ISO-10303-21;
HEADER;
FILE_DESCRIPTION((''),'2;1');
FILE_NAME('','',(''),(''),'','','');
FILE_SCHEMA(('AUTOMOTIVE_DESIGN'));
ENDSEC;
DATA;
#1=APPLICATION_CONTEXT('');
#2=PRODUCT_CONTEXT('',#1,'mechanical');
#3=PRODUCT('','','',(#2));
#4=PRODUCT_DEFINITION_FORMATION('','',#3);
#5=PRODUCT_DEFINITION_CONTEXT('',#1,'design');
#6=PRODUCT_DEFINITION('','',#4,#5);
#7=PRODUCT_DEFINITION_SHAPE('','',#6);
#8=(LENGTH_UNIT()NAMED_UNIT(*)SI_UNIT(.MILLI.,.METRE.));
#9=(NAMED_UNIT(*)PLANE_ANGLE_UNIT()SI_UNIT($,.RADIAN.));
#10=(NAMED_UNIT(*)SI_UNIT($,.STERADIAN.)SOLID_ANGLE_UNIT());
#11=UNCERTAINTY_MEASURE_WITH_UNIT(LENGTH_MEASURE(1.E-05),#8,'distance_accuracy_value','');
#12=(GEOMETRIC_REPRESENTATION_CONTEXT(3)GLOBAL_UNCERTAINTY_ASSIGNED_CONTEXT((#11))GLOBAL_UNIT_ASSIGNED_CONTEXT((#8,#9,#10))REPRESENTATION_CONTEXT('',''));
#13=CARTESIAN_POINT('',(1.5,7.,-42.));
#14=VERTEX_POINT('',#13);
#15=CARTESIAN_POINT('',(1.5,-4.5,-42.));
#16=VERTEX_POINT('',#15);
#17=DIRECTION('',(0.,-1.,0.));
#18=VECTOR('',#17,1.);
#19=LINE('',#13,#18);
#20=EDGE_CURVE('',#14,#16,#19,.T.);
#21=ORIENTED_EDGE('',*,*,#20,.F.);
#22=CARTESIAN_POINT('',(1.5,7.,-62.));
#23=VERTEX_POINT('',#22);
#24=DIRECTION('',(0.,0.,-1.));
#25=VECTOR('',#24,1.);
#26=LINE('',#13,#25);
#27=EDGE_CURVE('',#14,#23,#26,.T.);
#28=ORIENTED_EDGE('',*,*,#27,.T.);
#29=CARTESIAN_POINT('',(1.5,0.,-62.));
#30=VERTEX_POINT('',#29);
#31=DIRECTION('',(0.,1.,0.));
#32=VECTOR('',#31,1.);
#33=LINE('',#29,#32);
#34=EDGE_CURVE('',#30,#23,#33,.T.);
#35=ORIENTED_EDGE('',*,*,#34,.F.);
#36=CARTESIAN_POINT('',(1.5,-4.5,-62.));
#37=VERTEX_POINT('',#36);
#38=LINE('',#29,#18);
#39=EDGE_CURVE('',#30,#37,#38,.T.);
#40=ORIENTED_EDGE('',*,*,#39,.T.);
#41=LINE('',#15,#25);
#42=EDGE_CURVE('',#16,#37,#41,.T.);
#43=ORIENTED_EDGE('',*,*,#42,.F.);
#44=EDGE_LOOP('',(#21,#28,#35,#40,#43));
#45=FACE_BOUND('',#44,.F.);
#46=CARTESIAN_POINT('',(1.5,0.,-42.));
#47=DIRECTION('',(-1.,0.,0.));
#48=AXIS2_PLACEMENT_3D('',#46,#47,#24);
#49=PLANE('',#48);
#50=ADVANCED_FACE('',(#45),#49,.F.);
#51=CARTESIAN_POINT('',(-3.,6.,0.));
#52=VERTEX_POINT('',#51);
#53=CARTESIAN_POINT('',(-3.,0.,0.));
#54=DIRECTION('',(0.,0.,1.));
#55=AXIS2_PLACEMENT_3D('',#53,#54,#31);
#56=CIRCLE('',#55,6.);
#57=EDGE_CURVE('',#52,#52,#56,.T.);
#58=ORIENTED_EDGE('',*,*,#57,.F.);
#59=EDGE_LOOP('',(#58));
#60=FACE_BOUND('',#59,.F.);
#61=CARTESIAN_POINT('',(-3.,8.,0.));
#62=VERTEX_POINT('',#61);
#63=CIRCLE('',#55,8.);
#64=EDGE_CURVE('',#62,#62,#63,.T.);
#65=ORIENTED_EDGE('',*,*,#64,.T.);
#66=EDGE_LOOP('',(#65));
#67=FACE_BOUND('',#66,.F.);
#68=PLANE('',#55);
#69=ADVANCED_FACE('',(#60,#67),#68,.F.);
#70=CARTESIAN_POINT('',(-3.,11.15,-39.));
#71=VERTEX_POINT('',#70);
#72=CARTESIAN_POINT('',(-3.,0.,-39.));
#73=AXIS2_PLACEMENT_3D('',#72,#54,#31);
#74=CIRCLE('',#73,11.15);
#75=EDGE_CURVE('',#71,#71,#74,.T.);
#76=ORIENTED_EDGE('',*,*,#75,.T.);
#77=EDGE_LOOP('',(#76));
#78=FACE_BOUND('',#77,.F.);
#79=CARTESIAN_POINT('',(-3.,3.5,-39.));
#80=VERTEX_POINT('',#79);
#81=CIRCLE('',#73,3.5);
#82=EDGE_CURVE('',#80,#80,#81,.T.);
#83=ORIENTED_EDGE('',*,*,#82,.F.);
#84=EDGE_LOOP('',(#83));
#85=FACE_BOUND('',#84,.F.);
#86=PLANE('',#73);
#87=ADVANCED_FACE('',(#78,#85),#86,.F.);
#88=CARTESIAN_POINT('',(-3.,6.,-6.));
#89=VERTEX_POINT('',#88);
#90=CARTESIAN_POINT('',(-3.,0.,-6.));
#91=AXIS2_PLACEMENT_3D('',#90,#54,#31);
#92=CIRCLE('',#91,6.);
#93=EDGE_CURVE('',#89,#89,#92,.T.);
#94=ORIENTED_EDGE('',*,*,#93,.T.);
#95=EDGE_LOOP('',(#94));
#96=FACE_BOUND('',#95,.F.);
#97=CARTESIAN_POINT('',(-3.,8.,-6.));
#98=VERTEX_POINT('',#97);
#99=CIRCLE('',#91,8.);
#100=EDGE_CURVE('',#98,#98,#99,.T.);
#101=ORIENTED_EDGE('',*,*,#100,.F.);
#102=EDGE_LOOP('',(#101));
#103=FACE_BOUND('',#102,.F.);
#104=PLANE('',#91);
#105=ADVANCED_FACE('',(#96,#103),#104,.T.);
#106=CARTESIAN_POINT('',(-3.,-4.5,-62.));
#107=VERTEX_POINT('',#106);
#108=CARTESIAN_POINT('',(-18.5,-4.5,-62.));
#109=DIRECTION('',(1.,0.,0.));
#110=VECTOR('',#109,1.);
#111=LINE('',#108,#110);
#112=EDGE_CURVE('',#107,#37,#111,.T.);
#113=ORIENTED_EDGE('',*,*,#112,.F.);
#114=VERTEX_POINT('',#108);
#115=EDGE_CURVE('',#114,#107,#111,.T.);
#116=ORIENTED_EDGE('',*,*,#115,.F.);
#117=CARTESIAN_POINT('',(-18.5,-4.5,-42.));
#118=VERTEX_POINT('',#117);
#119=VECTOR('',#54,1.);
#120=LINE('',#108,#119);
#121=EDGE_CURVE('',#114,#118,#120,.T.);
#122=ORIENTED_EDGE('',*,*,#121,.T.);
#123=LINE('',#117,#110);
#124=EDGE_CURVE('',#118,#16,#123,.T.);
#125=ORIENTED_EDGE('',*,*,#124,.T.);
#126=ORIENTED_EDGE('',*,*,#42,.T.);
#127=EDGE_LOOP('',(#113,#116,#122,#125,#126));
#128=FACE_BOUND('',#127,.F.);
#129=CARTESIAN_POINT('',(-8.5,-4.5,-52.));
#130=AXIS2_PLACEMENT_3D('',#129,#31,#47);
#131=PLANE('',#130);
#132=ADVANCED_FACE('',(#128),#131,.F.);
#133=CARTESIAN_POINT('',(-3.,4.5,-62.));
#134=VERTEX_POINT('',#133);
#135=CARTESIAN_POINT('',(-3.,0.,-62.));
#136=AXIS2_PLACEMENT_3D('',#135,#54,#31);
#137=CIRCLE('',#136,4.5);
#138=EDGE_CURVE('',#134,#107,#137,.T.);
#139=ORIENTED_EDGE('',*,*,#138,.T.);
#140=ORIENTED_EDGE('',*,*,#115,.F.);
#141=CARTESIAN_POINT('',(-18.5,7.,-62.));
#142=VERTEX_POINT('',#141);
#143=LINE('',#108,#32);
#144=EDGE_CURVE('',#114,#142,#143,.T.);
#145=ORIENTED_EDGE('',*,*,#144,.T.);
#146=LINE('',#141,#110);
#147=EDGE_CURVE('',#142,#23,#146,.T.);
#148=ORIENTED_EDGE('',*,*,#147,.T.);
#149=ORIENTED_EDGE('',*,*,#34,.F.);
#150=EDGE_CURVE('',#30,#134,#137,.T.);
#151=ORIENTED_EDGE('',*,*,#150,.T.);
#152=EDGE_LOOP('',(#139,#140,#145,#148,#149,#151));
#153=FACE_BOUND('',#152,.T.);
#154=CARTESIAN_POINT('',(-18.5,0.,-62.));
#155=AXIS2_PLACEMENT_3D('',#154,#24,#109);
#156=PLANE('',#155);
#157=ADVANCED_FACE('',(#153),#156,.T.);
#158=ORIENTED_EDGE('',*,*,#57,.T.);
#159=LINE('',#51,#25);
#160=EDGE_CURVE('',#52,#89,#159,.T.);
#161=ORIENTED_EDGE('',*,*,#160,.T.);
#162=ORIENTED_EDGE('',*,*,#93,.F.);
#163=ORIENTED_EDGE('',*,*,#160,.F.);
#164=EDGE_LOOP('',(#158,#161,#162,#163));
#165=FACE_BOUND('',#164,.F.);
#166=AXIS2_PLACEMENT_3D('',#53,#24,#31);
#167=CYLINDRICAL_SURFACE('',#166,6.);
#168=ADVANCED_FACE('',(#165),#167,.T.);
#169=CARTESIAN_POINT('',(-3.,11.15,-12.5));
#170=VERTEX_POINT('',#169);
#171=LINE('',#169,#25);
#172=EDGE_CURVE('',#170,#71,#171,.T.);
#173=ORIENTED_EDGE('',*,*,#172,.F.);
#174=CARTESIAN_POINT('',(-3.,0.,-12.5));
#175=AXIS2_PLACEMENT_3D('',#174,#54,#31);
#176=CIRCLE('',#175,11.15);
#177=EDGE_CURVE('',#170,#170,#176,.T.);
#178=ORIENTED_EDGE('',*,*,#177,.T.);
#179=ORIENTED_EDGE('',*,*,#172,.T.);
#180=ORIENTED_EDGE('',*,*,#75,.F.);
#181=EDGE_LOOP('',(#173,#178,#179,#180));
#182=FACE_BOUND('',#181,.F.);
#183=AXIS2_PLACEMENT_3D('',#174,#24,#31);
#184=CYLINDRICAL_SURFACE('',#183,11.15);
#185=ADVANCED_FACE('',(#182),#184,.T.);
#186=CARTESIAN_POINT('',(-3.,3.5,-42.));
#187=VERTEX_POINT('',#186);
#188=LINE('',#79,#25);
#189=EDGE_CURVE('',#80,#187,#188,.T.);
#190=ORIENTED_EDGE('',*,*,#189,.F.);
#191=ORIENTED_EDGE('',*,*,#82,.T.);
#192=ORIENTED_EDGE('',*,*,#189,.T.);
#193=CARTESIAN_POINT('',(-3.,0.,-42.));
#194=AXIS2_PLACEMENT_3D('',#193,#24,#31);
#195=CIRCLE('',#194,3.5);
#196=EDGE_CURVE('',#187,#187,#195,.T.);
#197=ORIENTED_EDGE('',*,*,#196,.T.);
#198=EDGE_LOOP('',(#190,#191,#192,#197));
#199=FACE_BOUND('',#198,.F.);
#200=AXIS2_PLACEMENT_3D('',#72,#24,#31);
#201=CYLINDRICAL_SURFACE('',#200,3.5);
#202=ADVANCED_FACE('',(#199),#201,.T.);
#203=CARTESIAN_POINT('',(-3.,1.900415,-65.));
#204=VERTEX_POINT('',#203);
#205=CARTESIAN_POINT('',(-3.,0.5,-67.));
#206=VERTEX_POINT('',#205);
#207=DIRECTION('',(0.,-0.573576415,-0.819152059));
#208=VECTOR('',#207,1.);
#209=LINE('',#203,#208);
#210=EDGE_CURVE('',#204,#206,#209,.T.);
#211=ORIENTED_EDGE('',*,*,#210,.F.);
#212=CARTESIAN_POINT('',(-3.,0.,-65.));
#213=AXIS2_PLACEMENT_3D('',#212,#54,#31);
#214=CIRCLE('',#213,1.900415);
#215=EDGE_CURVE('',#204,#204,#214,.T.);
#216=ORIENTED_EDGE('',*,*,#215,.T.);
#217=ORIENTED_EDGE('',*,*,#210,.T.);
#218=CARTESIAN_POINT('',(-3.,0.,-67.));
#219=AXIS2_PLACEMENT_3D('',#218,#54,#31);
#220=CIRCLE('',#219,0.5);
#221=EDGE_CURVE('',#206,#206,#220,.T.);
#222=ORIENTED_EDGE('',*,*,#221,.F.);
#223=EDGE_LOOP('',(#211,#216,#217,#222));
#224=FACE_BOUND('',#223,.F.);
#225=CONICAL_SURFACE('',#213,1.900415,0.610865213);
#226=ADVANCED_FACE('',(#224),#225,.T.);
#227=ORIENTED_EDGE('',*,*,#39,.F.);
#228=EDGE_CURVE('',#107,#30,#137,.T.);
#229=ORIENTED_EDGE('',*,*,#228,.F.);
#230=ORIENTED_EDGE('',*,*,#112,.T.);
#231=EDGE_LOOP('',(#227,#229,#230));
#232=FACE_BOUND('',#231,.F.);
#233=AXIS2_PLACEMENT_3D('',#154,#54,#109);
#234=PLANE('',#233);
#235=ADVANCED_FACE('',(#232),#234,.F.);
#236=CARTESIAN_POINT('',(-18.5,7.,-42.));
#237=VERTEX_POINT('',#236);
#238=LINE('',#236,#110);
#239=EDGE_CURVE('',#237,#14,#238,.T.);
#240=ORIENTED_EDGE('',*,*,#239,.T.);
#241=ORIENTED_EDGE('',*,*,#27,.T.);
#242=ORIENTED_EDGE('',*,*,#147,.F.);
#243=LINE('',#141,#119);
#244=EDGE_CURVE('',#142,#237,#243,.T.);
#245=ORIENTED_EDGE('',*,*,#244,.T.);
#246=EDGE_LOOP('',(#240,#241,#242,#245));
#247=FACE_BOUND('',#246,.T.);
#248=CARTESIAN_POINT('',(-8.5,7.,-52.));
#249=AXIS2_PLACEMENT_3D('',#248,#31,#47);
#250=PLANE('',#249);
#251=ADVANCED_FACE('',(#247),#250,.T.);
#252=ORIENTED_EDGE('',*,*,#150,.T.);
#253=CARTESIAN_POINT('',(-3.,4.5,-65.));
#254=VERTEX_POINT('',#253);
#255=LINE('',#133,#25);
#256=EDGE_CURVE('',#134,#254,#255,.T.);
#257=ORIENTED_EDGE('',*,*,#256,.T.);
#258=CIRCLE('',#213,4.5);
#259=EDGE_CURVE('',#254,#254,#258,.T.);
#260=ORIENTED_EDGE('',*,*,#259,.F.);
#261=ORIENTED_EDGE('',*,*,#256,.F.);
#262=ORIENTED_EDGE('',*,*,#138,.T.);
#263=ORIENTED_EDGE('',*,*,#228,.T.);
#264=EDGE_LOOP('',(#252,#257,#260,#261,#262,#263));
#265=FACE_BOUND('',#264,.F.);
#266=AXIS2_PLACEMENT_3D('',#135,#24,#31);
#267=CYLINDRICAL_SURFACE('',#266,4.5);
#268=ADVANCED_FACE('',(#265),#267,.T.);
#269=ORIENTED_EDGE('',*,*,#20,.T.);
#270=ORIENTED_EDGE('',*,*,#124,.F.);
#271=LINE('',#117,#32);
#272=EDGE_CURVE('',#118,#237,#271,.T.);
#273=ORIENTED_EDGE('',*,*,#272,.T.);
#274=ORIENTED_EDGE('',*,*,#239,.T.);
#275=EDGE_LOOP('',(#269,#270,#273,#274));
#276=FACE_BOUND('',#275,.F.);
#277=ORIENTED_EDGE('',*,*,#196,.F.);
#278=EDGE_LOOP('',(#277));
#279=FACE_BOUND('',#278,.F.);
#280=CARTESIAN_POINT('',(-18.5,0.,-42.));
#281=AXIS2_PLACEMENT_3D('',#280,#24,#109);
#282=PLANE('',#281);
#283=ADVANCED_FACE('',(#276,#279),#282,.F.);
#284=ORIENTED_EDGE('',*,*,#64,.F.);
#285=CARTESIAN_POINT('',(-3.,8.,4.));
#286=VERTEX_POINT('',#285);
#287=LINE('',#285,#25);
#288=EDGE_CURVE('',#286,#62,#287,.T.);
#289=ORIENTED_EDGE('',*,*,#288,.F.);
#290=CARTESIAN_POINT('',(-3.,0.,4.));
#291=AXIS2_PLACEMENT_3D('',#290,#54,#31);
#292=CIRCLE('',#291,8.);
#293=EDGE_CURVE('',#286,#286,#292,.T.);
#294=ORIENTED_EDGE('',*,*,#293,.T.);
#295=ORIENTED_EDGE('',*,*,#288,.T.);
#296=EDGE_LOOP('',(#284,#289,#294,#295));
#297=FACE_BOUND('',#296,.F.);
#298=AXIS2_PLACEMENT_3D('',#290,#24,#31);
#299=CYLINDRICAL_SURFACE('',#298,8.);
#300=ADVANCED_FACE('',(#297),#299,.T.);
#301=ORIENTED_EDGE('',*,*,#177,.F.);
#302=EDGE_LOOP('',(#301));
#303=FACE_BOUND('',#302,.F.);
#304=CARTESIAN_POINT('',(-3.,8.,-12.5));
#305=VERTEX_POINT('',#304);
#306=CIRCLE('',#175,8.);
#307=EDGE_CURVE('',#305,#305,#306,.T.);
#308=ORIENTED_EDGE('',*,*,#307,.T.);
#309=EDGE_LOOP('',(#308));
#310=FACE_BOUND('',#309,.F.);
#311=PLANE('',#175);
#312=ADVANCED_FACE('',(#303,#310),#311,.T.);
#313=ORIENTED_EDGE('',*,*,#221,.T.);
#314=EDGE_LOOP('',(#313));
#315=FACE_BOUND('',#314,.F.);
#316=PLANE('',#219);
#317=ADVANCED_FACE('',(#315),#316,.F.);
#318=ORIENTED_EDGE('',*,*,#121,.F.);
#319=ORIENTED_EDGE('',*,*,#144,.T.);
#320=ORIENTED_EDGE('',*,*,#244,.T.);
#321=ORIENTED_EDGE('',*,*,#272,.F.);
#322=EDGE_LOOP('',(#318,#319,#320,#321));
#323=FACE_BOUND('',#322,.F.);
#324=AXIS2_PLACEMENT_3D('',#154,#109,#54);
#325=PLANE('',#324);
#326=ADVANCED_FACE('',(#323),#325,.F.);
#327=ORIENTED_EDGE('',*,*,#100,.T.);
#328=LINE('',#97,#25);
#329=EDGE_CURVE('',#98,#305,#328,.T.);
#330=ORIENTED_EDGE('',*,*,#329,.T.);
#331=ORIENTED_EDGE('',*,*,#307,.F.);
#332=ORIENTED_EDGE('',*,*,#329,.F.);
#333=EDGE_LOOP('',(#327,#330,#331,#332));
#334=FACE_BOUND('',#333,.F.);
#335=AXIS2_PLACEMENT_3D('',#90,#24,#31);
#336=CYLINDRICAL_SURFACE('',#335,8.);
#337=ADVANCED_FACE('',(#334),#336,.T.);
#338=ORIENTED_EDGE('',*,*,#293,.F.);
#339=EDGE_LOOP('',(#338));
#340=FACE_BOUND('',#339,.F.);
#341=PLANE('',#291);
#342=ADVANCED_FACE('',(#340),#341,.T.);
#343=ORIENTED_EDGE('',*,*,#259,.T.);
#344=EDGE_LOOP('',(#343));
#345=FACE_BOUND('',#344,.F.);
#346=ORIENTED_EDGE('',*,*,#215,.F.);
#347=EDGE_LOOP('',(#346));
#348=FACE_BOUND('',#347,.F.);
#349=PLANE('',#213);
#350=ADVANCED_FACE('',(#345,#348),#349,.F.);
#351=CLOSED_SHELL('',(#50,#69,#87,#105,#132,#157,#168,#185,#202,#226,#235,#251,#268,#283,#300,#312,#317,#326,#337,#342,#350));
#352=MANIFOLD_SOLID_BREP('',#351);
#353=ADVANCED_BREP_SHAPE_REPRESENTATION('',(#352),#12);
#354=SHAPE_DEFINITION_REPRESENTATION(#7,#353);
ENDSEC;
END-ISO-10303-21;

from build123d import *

# Parameters (mm, degrees)
PAD006_DEPTH = 4.5
PAD007_DEPTH = 7


with BuildPart() as part:
    # Sketch015 → Revolution (revolve)
    with BuildSketch(Plane.YZ):
        Polygon((0, 4), (8, 4), (8, 0), (6, 0), (6, -6), (8, -6), (8, -12.5), (11.15, -12.5), (11.15, -39), (3.5, -39), (3.5, -62), (4.5, -62), (4.5, -65), (1.900415, -65), (0.5, -67), (0, -67), align=None)
    revolve(axis=Axis((0, 0, 0), (0, 0, 1)))

    # Sketch016 → Pad006 (new body)
    with BuildSketch(Plane.XZ):
        Polygon((-3.5, -62), (-15.5, -62), (-15.5, -42), (4.5, -42), (4.5, -62), (3.5, -62), align=None)
    extrude(amount=PAD006_DEPTH)

    # Sketch016 → Pad007 (join)
    with BuildSketch(Plane.XZ):
        Polygon((-3.5, -62), (-15.5, -62), (-15.5, -42), (4.5, -42), (4.5, -62), (3.5, -62), align=None)
    extrude(amount=-PAD007_DEPTH)


with BuildPart() as part_1:
    # Body002 placement: moved
    add(part.part.moved(Location((-3, 0, 0))))


solid = part_1.part
